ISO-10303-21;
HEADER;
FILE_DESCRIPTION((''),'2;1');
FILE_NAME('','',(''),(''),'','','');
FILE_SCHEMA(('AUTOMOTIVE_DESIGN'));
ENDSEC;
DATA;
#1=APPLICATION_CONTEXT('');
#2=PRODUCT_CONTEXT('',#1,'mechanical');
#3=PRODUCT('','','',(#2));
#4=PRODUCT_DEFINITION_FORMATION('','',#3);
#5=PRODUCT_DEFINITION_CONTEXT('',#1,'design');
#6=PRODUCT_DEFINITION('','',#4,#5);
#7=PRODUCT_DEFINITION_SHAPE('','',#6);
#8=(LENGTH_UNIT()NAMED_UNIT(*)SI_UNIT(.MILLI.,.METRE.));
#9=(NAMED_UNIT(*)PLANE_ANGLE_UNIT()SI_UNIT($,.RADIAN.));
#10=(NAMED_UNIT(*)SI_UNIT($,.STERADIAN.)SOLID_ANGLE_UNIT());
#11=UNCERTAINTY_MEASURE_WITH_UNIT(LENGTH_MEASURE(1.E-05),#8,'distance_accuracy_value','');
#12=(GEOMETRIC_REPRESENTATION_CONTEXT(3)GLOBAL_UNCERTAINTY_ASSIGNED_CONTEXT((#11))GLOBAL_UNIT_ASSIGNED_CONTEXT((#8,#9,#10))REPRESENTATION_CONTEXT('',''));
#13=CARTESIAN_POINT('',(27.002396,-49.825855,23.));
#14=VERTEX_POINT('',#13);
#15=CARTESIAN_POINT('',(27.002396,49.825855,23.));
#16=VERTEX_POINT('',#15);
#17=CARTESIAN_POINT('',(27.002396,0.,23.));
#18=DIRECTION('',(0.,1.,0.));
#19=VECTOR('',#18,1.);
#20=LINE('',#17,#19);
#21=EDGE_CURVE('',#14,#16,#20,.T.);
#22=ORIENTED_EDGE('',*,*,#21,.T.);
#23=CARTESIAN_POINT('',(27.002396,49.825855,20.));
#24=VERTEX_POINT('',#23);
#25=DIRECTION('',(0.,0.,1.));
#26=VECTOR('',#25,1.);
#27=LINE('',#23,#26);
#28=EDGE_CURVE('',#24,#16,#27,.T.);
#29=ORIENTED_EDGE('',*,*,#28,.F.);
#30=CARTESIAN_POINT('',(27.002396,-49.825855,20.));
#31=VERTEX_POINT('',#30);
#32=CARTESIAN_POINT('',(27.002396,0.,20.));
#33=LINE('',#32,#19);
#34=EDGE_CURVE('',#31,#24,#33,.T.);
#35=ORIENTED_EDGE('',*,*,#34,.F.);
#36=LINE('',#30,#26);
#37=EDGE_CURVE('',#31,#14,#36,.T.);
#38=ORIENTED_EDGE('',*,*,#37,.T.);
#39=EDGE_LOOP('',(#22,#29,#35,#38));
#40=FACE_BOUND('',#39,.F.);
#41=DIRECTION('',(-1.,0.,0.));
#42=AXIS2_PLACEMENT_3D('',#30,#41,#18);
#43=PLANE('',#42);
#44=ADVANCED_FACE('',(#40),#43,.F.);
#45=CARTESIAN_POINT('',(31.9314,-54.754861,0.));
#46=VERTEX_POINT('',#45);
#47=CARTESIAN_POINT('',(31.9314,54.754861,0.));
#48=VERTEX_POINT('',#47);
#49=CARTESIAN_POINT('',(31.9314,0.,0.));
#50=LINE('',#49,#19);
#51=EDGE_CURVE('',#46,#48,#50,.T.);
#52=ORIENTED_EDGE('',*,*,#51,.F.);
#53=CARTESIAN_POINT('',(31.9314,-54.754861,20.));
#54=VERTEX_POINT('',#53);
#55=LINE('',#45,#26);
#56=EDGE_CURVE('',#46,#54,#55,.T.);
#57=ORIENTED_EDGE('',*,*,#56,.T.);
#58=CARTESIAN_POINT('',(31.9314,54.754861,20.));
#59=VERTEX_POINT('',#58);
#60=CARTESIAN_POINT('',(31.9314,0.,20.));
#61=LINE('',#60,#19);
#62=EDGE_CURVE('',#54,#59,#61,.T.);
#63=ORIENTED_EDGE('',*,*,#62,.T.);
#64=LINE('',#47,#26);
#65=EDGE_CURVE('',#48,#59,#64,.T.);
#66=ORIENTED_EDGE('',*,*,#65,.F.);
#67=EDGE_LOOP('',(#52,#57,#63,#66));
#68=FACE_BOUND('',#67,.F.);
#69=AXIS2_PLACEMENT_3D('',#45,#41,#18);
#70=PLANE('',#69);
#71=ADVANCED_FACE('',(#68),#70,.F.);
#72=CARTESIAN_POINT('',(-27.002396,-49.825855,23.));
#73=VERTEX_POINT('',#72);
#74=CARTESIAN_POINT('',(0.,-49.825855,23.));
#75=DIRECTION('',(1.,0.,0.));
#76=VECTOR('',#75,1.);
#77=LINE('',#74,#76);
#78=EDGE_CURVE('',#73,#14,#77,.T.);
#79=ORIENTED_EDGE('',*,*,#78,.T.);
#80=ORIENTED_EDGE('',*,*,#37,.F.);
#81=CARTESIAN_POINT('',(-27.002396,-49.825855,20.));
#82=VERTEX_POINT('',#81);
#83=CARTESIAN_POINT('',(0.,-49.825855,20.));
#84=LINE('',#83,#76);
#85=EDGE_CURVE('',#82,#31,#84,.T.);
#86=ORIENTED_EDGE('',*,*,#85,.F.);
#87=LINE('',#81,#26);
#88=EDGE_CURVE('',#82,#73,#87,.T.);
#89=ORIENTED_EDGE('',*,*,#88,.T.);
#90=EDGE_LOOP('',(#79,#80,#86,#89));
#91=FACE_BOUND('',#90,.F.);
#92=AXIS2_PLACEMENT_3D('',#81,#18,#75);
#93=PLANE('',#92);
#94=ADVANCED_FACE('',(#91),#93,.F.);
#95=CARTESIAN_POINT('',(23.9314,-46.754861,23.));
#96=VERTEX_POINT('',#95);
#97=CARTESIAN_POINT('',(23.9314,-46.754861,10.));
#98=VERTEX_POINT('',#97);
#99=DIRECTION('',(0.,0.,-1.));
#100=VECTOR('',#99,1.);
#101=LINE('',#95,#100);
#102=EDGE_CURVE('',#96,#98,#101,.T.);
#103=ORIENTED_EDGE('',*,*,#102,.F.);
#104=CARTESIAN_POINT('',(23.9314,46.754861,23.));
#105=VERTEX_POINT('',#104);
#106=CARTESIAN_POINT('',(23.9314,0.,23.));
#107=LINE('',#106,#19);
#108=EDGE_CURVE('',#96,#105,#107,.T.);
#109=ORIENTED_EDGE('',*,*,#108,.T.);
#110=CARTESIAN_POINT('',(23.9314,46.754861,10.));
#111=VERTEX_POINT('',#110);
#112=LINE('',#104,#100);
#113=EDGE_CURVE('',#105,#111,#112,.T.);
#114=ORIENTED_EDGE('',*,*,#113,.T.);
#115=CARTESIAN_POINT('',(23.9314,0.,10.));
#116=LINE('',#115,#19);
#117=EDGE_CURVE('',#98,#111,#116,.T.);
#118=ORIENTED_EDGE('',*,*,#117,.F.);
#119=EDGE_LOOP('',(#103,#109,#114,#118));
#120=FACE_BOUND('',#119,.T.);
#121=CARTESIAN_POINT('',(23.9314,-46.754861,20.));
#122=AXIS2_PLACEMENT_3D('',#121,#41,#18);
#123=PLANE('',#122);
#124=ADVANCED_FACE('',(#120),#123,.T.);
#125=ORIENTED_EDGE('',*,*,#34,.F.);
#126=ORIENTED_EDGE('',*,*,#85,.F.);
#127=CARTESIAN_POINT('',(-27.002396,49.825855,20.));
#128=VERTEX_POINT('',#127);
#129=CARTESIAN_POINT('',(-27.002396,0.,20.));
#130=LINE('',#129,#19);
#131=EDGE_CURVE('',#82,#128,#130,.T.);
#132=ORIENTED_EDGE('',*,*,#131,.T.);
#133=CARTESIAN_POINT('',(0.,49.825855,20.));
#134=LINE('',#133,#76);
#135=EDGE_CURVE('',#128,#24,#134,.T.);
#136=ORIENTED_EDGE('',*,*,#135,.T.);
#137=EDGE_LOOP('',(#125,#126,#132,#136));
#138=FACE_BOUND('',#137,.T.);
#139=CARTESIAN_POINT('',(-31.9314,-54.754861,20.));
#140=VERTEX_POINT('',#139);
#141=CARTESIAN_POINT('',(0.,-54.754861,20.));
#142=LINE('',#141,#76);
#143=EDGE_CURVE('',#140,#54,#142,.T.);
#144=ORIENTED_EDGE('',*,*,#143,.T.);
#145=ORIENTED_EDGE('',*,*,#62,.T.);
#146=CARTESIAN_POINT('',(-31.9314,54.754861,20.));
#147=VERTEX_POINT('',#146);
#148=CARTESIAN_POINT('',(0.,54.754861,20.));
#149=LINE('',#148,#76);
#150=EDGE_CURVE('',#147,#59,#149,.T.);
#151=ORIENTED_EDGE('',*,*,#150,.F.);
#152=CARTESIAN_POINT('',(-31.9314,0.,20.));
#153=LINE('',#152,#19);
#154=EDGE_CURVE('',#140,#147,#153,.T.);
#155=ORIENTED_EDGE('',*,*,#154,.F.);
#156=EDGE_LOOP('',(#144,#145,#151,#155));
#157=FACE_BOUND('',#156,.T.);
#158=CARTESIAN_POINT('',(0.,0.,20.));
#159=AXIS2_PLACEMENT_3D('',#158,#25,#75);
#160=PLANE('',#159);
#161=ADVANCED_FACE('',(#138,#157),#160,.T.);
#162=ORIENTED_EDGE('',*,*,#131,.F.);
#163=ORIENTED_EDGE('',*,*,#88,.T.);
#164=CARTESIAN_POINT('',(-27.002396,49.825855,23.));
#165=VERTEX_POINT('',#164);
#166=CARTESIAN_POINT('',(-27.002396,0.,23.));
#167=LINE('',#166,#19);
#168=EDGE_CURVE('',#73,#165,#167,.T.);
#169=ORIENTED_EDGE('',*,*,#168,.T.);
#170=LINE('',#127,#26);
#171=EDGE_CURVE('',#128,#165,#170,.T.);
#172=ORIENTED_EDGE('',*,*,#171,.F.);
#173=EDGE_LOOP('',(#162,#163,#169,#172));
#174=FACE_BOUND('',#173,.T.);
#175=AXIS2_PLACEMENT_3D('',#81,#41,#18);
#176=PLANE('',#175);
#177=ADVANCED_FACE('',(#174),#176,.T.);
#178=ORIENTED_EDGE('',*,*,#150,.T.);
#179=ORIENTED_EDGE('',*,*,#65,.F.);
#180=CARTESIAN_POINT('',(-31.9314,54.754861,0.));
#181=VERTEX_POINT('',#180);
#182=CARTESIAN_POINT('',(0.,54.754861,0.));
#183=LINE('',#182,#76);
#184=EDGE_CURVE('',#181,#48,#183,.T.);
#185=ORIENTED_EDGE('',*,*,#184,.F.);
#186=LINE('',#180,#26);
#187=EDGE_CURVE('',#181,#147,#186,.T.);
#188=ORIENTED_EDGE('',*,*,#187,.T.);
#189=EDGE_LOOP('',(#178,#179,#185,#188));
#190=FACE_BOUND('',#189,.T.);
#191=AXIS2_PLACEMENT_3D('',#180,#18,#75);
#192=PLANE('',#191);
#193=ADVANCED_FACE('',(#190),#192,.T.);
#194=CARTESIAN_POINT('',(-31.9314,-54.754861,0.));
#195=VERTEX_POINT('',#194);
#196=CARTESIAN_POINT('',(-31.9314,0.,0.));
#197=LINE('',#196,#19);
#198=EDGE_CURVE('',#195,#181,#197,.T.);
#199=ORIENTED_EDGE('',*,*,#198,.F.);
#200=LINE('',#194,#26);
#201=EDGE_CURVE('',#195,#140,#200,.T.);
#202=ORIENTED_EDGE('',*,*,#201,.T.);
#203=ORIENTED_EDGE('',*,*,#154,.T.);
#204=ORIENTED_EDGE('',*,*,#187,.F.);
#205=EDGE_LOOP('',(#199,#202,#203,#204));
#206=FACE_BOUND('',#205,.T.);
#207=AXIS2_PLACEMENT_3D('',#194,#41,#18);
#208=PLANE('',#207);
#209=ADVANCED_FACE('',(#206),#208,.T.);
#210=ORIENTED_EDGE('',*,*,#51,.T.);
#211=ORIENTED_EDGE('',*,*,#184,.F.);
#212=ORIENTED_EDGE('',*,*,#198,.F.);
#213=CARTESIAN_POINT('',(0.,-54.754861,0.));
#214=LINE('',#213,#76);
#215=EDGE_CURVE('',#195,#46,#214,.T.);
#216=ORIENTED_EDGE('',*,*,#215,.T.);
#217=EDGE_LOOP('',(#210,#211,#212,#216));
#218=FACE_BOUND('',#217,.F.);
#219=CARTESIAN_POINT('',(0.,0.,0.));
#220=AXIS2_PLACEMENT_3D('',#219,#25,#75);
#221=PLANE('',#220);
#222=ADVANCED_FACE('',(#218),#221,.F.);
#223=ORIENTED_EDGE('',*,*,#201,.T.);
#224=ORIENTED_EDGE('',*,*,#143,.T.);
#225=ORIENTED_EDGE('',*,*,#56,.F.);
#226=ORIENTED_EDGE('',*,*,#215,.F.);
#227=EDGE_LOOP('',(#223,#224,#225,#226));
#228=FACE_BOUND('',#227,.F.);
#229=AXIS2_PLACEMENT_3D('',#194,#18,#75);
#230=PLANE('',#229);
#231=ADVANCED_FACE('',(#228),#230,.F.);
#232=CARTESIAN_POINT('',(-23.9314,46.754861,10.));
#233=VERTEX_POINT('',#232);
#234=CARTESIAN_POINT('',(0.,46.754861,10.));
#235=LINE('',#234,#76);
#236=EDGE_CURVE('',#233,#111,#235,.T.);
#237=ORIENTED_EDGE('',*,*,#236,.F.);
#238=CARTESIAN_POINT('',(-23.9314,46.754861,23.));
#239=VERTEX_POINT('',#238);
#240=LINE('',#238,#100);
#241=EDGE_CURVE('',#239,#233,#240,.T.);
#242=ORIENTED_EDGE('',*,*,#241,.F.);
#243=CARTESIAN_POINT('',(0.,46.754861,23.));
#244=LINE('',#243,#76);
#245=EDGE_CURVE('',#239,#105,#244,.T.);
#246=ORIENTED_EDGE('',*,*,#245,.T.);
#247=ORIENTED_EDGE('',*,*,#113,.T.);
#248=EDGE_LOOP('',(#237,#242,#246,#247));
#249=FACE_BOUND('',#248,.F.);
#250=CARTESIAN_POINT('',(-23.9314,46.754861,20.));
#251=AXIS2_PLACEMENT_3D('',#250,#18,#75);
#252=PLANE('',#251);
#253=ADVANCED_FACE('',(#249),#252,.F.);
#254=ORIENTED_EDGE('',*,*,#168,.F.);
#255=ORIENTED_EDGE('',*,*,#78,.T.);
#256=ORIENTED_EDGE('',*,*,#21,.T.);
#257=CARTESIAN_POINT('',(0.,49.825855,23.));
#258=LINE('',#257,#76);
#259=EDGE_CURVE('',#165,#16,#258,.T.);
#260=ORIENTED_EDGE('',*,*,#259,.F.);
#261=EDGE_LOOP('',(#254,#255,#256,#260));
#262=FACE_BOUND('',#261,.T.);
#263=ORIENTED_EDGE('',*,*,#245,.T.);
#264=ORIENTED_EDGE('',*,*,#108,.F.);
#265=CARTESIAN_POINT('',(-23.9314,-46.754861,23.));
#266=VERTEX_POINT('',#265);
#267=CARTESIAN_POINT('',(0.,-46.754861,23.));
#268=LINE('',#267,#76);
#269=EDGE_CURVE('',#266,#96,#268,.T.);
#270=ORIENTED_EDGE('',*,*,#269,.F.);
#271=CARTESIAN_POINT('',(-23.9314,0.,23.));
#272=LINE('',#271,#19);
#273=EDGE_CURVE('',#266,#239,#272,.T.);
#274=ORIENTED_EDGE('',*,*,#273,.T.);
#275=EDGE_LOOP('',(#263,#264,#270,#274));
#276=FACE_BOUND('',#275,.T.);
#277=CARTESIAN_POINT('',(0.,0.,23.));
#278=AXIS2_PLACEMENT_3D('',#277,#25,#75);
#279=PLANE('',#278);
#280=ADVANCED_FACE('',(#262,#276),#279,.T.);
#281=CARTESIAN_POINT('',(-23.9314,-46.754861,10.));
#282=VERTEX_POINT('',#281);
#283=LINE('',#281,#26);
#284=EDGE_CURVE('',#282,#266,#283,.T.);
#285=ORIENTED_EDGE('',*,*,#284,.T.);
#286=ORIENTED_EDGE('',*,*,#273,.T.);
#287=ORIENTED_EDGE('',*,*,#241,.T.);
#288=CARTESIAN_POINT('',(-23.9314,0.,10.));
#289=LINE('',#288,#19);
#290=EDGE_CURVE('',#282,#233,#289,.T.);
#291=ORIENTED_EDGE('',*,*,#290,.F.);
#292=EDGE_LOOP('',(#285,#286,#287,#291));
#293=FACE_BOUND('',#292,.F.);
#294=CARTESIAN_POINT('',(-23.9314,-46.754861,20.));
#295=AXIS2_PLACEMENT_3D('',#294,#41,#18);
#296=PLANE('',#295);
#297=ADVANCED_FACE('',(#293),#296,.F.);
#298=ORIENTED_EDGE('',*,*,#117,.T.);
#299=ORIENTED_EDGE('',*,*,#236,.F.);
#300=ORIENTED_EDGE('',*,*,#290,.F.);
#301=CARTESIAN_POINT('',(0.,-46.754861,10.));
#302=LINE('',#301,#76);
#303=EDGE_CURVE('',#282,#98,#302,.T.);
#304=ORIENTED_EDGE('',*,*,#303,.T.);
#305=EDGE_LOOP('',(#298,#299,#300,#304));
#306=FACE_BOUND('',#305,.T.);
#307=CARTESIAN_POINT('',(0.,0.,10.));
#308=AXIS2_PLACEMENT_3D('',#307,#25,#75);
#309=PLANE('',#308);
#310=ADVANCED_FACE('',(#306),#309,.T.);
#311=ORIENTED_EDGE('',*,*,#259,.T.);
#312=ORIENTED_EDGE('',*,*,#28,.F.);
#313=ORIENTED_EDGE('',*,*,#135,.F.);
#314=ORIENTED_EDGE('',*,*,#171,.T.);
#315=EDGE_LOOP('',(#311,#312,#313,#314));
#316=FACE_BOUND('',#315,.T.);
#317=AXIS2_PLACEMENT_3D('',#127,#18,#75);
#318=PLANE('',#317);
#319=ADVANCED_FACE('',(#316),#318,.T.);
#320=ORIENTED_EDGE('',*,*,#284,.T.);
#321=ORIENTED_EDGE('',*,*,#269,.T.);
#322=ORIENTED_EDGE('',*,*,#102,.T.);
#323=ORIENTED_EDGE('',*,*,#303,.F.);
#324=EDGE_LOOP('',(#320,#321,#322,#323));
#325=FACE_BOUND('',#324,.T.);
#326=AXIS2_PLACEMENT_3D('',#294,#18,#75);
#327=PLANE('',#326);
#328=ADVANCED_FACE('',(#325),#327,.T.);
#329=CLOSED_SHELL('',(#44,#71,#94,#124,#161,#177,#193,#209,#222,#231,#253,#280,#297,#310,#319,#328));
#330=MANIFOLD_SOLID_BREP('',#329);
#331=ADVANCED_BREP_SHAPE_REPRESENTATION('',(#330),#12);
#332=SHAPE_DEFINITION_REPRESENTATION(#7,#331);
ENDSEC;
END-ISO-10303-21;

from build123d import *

# Parameters (mm, degrees)
F0_W     = 63.8628005981
F0_H     = 109.5097213984
F1_DEPTH = 20
F2_W     = 47.8628005981
F2_H     = 93.5097213984
F3_DEPTH = 10
F4_W     = 54.004792124
F4_H     = 99.651709199
F4_W_2   = 47.8628005981
F4_H_2   = 93.5097213984
F5_DEPTH = 3


with BuildPart() as f1:
    # F0 (on Top) → F1 (new body)
    with BuildSketch(Plane.XY):
        Rectangle(F0_W, F0_H)
    extrude(amount=F1_DEPTH)

    # F2 (on face) → F3 (cut)
    with BuildSketch(Plane.XY.offset(20)):
        Rectangle(F2_W, F2_H)
    extrude(amount=-F3_DEPTH, mode=Mode.SUBTRACT)

    # F4 (on face) → F5 (join)
    with BuildSketch(Plane.XY.offset(20)):
        Rectangle(F4_W, F4_H)
        Rectangle(F4_W_2, F4_H_2, mode=Mode.SUBTRACT)
    extrude(amount=F5_DEPTH)


solid = f1.part
